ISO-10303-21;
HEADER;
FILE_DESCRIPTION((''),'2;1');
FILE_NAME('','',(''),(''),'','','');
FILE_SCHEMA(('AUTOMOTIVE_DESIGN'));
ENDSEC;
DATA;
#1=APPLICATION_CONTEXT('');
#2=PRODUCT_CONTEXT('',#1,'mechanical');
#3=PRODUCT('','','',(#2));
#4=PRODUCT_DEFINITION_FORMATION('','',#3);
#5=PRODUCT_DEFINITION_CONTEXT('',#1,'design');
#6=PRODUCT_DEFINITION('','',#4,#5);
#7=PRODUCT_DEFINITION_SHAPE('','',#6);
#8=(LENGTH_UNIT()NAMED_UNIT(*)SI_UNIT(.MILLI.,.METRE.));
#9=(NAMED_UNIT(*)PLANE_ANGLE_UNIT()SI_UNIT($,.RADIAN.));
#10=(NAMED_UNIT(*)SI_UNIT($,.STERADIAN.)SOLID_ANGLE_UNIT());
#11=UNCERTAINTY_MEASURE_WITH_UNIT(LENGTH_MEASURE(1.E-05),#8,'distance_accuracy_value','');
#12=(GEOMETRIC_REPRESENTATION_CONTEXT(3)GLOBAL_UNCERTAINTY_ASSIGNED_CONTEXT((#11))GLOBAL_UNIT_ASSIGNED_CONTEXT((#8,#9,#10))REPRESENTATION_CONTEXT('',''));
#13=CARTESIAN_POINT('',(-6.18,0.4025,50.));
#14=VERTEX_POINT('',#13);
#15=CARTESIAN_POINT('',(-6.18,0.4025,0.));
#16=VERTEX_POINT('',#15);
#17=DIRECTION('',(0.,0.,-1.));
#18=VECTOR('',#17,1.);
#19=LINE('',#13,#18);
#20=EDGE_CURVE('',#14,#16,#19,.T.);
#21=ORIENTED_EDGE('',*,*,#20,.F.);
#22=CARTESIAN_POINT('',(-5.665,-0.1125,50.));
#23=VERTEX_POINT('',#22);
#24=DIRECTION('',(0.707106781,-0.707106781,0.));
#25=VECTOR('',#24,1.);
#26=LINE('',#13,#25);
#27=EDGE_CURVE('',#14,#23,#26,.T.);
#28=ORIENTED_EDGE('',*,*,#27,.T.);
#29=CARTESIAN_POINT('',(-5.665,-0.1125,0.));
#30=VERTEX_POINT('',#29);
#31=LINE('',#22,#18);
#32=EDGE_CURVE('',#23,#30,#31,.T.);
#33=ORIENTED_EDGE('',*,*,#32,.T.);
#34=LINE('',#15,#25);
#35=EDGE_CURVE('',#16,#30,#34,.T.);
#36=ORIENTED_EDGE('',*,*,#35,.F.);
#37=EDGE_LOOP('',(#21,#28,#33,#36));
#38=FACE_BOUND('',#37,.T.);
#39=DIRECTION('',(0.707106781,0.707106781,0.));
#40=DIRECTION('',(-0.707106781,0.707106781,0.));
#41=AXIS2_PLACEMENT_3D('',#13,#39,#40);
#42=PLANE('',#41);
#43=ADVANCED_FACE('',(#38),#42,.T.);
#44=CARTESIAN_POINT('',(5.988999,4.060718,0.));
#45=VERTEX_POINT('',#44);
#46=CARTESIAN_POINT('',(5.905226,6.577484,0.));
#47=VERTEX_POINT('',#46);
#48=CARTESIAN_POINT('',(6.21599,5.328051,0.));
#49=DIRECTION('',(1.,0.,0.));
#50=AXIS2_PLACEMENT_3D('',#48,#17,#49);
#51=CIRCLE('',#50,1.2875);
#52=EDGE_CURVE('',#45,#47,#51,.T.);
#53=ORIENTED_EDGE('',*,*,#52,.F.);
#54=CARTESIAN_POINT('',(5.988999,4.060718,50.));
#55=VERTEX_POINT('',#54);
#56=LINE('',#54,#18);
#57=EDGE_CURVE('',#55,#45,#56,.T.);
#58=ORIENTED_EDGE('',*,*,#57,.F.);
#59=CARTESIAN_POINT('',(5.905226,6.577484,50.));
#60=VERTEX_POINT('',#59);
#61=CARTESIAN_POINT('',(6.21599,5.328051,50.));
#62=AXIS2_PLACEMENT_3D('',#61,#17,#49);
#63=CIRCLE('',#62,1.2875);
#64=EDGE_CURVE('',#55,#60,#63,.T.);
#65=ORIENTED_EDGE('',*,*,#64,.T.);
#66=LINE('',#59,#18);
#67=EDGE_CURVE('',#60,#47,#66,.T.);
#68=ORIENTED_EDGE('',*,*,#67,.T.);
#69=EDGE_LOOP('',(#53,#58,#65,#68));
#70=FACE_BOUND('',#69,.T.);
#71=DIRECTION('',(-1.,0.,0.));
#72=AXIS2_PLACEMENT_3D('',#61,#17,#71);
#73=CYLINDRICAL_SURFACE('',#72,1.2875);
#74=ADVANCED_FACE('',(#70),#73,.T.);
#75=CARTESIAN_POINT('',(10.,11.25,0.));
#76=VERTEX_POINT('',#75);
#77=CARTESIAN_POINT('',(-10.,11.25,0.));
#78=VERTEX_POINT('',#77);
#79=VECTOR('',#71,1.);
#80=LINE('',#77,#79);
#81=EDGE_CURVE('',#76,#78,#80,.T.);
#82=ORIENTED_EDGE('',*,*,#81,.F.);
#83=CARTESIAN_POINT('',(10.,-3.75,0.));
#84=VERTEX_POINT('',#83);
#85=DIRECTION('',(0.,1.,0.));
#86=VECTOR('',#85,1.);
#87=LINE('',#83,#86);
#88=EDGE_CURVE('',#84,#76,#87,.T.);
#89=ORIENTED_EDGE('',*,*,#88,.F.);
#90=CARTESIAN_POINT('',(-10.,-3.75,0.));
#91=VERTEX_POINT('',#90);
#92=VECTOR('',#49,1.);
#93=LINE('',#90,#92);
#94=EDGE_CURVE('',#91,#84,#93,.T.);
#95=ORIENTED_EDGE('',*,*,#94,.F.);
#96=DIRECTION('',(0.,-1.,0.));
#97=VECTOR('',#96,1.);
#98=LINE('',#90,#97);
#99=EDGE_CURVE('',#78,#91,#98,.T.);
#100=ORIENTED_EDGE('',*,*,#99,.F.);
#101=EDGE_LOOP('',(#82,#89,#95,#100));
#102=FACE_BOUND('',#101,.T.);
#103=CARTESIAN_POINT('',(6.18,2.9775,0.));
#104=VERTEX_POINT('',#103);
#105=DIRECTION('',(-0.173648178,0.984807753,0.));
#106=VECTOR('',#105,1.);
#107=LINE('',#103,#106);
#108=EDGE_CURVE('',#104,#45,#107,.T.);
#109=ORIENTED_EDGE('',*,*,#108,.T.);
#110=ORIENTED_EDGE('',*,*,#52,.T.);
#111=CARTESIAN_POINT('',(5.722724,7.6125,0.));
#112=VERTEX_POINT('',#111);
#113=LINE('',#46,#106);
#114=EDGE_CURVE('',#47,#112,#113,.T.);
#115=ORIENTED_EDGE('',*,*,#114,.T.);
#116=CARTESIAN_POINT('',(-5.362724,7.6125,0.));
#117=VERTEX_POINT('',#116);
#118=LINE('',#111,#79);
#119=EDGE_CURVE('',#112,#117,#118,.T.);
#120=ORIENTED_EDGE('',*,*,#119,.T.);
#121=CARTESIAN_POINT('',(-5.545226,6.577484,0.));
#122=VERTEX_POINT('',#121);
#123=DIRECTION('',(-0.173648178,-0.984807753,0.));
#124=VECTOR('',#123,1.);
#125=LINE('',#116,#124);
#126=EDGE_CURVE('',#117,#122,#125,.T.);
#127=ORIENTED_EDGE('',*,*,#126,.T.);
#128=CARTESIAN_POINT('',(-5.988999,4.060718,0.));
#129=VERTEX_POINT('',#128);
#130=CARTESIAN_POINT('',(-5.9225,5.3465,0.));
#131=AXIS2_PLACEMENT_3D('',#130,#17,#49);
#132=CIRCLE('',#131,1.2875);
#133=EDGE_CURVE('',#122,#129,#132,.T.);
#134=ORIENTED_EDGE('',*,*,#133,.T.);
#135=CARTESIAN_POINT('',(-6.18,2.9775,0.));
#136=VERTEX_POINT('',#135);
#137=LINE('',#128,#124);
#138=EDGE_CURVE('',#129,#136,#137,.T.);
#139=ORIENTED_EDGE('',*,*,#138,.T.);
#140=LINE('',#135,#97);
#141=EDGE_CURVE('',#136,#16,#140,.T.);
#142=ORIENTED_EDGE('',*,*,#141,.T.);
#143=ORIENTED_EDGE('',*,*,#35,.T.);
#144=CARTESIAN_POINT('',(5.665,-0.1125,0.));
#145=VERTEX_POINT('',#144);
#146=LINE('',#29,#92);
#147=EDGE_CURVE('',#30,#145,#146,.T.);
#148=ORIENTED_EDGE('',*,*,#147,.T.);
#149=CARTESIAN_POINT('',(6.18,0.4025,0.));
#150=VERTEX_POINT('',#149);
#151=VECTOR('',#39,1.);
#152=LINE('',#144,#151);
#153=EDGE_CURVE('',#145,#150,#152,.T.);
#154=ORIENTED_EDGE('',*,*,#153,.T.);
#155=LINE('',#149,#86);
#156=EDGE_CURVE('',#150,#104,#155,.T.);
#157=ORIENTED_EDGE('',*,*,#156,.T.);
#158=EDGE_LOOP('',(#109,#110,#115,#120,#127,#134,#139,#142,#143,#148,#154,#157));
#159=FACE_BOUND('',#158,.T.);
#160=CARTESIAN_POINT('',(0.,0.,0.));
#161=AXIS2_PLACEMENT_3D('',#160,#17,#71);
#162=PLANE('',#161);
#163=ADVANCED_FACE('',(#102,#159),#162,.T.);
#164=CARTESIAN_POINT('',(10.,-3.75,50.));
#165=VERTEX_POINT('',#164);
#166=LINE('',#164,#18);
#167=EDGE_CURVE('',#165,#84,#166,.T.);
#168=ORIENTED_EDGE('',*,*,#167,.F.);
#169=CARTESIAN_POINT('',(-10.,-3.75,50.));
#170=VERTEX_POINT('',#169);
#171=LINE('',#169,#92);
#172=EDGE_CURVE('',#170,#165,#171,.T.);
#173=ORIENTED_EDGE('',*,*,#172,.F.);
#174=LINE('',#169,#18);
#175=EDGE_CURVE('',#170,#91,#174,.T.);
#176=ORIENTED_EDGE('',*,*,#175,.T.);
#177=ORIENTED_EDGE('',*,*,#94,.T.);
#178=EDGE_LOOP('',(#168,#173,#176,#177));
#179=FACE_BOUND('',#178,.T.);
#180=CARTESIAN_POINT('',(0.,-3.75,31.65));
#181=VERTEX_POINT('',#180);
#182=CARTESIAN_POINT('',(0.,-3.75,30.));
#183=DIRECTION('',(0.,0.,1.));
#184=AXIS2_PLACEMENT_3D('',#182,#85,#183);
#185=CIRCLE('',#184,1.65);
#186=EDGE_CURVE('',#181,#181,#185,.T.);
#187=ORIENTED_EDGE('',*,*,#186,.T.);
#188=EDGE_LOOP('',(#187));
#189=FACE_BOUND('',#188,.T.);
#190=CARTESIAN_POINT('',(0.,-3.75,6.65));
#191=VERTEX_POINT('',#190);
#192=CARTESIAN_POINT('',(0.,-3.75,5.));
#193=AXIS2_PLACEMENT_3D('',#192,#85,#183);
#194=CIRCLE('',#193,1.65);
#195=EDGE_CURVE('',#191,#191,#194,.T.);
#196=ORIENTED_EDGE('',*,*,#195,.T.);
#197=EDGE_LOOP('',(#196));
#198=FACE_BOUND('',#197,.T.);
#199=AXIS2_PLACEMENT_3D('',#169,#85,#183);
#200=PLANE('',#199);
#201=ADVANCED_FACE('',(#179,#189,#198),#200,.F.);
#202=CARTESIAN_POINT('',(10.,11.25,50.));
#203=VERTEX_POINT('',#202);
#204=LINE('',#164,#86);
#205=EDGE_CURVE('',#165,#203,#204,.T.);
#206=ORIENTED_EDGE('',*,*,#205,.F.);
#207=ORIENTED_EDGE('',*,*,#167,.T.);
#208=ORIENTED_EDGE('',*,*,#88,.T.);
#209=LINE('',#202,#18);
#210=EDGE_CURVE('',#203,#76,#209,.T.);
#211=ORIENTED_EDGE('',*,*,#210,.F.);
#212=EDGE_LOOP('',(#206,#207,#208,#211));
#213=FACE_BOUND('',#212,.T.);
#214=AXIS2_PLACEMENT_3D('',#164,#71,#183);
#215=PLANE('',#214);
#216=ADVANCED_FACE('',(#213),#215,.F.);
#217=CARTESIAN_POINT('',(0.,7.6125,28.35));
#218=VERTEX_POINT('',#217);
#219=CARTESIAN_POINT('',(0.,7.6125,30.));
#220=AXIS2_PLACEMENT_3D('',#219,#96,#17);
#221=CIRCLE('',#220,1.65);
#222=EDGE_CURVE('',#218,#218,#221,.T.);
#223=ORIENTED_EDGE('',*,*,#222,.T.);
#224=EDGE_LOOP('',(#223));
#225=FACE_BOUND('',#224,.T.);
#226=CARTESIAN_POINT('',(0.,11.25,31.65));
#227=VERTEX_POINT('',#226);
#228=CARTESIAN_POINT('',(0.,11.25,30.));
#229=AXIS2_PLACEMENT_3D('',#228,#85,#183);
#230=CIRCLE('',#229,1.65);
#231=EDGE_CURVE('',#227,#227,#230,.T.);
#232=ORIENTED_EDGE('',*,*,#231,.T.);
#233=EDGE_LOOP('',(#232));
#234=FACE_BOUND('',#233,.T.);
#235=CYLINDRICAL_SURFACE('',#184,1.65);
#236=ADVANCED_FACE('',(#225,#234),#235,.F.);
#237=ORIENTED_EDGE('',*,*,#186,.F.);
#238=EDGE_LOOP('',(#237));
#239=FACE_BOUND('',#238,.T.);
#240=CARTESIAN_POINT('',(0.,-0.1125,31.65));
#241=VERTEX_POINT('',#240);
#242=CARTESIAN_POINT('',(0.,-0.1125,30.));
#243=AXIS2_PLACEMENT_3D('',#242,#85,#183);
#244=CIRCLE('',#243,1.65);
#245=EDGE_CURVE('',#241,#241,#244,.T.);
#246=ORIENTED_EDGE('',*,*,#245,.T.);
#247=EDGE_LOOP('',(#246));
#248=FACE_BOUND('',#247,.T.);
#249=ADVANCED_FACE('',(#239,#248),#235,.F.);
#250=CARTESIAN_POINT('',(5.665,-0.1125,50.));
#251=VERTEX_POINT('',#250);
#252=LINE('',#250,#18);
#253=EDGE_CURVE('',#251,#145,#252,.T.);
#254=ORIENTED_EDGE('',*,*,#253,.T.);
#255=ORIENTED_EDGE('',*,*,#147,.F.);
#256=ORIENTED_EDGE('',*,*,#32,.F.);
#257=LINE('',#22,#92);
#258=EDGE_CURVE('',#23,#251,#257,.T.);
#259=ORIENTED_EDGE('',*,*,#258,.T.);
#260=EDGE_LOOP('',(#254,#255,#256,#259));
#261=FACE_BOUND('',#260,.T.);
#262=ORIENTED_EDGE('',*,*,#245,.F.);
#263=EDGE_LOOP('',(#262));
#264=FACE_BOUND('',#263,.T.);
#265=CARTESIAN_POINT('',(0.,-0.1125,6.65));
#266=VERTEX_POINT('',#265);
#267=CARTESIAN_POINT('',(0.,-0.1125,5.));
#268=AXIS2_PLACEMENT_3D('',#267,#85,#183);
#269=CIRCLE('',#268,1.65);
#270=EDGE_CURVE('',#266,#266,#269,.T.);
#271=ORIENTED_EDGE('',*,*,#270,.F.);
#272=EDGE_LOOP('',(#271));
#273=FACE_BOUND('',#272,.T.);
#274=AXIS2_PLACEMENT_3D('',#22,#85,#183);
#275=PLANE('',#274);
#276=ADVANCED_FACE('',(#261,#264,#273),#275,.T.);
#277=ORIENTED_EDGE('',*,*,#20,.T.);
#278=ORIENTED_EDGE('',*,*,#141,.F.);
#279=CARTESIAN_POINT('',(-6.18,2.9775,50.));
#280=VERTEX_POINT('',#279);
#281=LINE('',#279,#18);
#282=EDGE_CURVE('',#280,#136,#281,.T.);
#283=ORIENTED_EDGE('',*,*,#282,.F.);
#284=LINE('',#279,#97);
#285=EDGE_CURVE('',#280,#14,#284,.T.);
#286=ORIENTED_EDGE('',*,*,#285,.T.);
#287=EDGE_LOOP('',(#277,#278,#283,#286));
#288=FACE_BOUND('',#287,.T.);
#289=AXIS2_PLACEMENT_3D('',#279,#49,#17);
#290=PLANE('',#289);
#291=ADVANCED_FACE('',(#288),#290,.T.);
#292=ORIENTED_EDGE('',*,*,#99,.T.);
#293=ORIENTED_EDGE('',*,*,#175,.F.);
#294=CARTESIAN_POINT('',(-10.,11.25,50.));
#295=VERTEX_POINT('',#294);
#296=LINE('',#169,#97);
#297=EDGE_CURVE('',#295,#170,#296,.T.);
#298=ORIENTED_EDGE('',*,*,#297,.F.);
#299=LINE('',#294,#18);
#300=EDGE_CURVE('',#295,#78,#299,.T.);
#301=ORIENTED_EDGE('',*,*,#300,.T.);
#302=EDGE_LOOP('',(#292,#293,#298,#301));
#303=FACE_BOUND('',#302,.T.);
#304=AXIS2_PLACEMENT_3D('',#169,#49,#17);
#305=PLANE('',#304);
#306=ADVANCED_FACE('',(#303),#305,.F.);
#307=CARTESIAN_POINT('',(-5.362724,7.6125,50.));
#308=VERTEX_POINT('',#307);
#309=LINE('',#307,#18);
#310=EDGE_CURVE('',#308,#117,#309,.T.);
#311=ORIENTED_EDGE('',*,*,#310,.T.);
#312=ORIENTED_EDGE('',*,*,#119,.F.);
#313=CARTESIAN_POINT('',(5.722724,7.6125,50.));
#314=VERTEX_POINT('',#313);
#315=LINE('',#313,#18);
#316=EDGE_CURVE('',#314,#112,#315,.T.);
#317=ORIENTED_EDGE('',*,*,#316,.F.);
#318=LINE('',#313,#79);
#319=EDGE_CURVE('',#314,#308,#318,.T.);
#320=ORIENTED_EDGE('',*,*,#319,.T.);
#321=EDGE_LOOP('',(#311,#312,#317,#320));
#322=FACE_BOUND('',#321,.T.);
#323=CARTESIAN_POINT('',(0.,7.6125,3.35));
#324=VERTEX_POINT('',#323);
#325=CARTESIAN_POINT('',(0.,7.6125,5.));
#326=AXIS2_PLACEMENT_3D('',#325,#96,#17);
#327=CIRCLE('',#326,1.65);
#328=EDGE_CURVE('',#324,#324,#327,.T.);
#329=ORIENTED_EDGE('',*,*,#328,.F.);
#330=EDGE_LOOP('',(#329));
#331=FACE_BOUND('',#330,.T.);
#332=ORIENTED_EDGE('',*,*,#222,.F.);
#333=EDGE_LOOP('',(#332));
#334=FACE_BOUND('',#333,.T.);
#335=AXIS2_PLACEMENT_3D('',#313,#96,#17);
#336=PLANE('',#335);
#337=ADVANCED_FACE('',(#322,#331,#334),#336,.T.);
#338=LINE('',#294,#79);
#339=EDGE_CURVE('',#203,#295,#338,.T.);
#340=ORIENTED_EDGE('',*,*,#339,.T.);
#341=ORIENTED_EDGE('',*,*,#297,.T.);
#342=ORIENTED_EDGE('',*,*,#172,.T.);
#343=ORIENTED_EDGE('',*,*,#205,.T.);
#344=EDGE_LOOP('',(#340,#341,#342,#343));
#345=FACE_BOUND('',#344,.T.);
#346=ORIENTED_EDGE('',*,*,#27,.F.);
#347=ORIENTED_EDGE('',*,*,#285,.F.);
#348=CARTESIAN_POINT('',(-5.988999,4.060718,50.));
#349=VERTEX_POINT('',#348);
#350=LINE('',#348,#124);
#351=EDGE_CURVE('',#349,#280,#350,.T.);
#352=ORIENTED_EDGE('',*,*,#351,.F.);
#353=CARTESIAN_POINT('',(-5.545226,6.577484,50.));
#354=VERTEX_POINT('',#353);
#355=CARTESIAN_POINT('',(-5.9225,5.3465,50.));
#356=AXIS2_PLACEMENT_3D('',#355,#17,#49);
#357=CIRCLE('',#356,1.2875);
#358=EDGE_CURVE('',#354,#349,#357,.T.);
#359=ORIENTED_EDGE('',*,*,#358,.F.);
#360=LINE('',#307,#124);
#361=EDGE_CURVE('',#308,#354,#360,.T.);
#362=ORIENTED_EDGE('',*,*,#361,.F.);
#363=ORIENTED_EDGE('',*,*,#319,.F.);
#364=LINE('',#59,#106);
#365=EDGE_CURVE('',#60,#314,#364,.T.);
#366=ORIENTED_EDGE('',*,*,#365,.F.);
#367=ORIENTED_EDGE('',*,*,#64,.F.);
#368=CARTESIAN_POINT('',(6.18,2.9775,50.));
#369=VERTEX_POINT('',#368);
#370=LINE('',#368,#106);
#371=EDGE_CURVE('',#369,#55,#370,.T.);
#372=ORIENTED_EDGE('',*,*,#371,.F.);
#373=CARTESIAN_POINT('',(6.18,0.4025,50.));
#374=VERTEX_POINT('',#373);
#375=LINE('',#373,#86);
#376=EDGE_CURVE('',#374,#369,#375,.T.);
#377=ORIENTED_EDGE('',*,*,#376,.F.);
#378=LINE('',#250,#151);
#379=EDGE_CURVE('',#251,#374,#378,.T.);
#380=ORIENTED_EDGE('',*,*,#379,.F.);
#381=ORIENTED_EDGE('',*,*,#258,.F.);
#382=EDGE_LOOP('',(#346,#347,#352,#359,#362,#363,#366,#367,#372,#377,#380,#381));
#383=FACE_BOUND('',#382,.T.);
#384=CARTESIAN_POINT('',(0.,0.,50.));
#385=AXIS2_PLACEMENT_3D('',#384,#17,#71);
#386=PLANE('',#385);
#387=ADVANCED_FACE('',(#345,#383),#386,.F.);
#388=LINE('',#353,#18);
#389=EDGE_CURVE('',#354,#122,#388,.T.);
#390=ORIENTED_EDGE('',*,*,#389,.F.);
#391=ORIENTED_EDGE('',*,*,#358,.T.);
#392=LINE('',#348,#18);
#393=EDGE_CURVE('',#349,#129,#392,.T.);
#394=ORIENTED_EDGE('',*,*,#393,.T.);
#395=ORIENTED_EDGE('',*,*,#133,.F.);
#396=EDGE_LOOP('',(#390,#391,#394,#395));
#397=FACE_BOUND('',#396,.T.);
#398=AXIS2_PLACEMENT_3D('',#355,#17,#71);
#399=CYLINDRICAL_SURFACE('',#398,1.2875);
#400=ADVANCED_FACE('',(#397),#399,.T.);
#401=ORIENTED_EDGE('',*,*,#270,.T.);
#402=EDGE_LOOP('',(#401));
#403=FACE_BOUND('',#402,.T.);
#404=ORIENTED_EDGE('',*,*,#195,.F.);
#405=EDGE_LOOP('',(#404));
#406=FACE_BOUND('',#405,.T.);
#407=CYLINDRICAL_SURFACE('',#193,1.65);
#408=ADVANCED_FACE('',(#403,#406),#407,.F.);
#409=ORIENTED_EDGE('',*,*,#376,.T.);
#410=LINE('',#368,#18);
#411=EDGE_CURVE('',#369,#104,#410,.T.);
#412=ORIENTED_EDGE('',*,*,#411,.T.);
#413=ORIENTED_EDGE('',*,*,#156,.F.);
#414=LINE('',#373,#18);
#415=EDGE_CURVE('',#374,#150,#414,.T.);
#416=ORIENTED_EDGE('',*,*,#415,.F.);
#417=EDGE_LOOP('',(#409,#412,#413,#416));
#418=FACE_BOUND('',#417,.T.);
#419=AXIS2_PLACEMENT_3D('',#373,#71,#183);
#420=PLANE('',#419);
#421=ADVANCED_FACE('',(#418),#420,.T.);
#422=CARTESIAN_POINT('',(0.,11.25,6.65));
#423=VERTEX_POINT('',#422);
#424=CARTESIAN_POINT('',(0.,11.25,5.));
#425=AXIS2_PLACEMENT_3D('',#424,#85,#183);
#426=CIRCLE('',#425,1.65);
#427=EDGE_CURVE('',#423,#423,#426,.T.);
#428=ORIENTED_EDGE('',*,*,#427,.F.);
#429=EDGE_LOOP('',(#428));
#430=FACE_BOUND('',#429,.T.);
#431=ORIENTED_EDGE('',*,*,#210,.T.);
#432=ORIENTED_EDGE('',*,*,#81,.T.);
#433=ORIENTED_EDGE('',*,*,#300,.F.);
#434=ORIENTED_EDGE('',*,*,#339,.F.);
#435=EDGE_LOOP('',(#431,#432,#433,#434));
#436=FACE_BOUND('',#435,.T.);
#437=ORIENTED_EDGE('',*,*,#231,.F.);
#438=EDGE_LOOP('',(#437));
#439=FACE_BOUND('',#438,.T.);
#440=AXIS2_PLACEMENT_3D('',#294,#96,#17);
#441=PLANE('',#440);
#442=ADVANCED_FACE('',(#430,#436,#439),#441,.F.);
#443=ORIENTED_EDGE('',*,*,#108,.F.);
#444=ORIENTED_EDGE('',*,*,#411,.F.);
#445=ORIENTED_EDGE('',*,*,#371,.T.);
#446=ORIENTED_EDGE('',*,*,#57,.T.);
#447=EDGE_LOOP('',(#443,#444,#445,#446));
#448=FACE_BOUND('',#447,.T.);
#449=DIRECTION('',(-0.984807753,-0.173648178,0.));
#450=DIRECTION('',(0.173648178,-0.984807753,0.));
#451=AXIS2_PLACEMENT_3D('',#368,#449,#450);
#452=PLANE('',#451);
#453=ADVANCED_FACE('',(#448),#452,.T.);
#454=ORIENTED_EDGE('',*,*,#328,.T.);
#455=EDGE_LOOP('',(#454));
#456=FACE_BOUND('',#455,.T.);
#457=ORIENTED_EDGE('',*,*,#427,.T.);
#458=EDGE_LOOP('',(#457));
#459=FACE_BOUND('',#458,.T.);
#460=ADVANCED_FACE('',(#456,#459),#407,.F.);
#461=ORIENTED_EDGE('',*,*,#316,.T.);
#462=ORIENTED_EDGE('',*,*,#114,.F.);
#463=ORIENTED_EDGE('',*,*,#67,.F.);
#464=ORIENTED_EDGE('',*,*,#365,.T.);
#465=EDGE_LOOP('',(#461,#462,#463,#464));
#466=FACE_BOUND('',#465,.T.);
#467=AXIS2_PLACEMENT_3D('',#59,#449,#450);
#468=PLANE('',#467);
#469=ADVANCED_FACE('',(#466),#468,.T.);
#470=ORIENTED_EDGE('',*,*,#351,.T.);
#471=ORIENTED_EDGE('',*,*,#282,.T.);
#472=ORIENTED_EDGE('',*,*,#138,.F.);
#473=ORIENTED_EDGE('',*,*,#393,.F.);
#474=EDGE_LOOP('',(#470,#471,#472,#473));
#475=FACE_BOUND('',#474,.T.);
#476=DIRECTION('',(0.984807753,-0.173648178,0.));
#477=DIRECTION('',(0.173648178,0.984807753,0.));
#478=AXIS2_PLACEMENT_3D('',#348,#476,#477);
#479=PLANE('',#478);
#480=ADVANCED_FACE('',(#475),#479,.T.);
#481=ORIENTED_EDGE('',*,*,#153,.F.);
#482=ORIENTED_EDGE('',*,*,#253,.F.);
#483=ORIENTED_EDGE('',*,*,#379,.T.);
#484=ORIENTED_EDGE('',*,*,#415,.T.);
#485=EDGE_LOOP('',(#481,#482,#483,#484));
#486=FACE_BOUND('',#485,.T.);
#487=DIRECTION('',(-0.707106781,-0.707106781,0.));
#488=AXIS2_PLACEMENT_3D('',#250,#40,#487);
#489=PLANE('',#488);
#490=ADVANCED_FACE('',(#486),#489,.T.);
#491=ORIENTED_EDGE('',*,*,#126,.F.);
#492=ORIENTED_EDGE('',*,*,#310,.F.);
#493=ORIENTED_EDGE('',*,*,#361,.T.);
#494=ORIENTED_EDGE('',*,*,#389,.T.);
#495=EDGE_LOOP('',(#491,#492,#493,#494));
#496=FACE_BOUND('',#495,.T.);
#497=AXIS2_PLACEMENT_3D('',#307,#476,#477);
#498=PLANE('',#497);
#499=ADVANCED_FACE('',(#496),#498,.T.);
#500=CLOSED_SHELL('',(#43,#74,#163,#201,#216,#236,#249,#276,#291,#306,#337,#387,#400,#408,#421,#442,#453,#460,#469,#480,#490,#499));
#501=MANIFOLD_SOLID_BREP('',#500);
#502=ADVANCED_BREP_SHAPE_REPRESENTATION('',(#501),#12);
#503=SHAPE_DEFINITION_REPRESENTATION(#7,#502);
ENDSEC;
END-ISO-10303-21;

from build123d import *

# Parameters (mm, degrees)
SKETCH2_W           = 20
SKETCH2_H           = 15
BOSS_EXTRUDE1_DEPTH = 50
SKETCH3_R           = 1.65
CUT_EXTRUDE1_DEPTH  = 54.150729064


with BuildPart() as part:
    # Sketch2 → Boss-Extrude1 (new body)
    with BuildSketch(Plane.XY):
        with Locations((0, 3.75)):
            Rectangle(SKETCH2_W, SKETCH2_H)
        with BuildLine():
            Line((6.18, 0.4025), (6.18, 2.9775))
            Line((6.18, 2.9775), (5.988999354, 4.060718492))
            ThreePointArc((5.988999354, 4.060718492), (4.929202717, 5.285218638), (5.905225776, 6.577483513))
            Line((5.905225776, 6.577483513), (5.722724444, 7.6125))
            Line((5.722724444, 7.6125), (-5.362724444, 7.6125))
            Line((-5.362724444, 7.6125), (-5.545225776, 6.577483513))
            ThreePointArc((-5.545225776, 6.577483513), (-4.654560018, 5.122927971), (-5.988999354, 4.060718492))
            Line((-5.988999354, 4.060718492), (-6.18, 2.9775))
            Line((-6.18, 2.9775), (-6.18, 0.4025))
            Line((-6.18, 0.4025), (-5.665, -0.1125))
            Line((-5.665, -0.1125), (5.665, -0.1125))
            Line((5.665, -0.1125), (6.18, 0.4025))
        make_face(mode=Mode.SUBTRACT)
    extrude(amount=BOSS_EXTRUDE1_DEPTH)

    # Sketch3 → Cut-Extrude1 (cut, through all)
    with BuildSketch(Plane(origin=(0, 11.25, 0), x_dir=(1, 0, 0), z_dir=(0, 1, 0))):
        with Locations(Location((0, -5, 0), (0, 0, 270))):
            Circle(SKETCH3_R)
        with Locations(Location((0, -30, 0), (0, 0, 270))):
            Circle(SKETCH3_R)
    extrude(amount=-CUT_EXTRUDE1_DEPTH, mode=Mode.SUBTRACT)


solid = part.part
